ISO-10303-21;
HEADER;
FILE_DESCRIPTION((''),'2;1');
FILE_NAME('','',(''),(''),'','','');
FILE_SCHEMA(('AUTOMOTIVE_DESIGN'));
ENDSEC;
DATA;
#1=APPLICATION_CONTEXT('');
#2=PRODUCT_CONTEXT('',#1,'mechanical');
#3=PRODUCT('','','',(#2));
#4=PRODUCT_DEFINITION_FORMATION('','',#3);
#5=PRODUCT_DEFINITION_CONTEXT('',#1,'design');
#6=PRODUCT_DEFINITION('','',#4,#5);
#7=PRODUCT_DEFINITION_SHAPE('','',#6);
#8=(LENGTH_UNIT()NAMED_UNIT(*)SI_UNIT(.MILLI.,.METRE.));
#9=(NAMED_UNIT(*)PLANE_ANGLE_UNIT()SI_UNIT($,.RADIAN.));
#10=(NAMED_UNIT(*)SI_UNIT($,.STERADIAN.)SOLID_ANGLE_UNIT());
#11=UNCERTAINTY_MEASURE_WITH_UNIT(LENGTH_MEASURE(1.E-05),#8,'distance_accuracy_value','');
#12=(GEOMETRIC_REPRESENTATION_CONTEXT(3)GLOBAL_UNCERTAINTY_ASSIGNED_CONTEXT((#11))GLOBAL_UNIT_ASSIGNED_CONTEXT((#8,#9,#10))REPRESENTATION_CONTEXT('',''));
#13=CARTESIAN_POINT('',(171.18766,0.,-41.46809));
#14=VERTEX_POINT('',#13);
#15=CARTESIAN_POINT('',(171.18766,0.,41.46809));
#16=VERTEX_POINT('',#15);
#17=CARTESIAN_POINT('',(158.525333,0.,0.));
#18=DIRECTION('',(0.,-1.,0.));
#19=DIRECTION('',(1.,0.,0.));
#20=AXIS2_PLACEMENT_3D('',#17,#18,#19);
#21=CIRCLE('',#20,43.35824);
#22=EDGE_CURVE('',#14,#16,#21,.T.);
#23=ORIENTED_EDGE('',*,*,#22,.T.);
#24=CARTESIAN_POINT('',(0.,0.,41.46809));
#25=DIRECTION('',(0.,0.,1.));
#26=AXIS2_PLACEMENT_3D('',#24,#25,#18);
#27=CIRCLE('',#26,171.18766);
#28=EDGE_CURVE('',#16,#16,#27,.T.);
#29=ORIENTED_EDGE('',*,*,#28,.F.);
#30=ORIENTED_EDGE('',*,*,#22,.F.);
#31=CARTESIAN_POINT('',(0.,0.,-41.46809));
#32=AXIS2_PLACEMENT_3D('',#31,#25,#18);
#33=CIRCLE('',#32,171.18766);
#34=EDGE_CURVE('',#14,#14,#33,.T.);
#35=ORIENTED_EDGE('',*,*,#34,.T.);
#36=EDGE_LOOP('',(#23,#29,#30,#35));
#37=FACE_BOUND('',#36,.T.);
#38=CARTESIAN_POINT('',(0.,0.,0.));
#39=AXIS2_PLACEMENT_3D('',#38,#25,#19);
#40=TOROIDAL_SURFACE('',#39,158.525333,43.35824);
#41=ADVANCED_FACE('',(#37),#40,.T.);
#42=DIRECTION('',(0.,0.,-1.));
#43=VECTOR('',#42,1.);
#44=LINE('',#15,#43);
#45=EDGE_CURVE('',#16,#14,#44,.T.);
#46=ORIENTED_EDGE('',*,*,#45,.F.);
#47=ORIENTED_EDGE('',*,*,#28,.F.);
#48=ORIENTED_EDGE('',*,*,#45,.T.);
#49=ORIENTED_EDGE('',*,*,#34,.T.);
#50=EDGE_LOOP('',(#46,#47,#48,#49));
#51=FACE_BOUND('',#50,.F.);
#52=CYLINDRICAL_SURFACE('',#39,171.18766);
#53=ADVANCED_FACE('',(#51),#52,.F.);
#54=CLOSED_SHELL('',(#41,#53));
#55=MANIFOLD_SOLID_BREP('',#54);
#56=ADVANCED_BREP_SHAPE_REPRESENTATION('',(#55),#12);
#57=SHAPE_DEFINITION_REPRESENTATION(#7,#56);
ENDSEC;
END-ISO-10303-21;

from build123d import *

# Parameters (mm, degrees)
F1_R          = 43.35824
F3_R          = 171.18766
F4_DEPTH      = 439.928
F4_DEPTH_BACK = 259.08


with BuildPart() as f2:
    # F2: sweep along a path in F0
    with BuildLine(Plane.XY) as f2_path:
        CenterArc((0, 0), 206.660087, 0, 360)
    # F1 (on Right) → F2 (sweep)
    with BuildSketch(Plane.YZ):
        with Locations((-158.525333, 0)):
            Circle(F1_R)
    sweep(path=f2_path.line)

    # F3 (on Top) → F4 (cut, two sides)
    with BuildSketch(Plane.XY) as f4_sk:
        Circle(F3_R)
    extrude(amount=F4_DEPTH, mode=Mode.SUBTRACT)
    extrude(f4_sk.sketch, amount=-F4_DEPTH_BACK, mode=Mode.SUBTRACT)


solid = f2.part
